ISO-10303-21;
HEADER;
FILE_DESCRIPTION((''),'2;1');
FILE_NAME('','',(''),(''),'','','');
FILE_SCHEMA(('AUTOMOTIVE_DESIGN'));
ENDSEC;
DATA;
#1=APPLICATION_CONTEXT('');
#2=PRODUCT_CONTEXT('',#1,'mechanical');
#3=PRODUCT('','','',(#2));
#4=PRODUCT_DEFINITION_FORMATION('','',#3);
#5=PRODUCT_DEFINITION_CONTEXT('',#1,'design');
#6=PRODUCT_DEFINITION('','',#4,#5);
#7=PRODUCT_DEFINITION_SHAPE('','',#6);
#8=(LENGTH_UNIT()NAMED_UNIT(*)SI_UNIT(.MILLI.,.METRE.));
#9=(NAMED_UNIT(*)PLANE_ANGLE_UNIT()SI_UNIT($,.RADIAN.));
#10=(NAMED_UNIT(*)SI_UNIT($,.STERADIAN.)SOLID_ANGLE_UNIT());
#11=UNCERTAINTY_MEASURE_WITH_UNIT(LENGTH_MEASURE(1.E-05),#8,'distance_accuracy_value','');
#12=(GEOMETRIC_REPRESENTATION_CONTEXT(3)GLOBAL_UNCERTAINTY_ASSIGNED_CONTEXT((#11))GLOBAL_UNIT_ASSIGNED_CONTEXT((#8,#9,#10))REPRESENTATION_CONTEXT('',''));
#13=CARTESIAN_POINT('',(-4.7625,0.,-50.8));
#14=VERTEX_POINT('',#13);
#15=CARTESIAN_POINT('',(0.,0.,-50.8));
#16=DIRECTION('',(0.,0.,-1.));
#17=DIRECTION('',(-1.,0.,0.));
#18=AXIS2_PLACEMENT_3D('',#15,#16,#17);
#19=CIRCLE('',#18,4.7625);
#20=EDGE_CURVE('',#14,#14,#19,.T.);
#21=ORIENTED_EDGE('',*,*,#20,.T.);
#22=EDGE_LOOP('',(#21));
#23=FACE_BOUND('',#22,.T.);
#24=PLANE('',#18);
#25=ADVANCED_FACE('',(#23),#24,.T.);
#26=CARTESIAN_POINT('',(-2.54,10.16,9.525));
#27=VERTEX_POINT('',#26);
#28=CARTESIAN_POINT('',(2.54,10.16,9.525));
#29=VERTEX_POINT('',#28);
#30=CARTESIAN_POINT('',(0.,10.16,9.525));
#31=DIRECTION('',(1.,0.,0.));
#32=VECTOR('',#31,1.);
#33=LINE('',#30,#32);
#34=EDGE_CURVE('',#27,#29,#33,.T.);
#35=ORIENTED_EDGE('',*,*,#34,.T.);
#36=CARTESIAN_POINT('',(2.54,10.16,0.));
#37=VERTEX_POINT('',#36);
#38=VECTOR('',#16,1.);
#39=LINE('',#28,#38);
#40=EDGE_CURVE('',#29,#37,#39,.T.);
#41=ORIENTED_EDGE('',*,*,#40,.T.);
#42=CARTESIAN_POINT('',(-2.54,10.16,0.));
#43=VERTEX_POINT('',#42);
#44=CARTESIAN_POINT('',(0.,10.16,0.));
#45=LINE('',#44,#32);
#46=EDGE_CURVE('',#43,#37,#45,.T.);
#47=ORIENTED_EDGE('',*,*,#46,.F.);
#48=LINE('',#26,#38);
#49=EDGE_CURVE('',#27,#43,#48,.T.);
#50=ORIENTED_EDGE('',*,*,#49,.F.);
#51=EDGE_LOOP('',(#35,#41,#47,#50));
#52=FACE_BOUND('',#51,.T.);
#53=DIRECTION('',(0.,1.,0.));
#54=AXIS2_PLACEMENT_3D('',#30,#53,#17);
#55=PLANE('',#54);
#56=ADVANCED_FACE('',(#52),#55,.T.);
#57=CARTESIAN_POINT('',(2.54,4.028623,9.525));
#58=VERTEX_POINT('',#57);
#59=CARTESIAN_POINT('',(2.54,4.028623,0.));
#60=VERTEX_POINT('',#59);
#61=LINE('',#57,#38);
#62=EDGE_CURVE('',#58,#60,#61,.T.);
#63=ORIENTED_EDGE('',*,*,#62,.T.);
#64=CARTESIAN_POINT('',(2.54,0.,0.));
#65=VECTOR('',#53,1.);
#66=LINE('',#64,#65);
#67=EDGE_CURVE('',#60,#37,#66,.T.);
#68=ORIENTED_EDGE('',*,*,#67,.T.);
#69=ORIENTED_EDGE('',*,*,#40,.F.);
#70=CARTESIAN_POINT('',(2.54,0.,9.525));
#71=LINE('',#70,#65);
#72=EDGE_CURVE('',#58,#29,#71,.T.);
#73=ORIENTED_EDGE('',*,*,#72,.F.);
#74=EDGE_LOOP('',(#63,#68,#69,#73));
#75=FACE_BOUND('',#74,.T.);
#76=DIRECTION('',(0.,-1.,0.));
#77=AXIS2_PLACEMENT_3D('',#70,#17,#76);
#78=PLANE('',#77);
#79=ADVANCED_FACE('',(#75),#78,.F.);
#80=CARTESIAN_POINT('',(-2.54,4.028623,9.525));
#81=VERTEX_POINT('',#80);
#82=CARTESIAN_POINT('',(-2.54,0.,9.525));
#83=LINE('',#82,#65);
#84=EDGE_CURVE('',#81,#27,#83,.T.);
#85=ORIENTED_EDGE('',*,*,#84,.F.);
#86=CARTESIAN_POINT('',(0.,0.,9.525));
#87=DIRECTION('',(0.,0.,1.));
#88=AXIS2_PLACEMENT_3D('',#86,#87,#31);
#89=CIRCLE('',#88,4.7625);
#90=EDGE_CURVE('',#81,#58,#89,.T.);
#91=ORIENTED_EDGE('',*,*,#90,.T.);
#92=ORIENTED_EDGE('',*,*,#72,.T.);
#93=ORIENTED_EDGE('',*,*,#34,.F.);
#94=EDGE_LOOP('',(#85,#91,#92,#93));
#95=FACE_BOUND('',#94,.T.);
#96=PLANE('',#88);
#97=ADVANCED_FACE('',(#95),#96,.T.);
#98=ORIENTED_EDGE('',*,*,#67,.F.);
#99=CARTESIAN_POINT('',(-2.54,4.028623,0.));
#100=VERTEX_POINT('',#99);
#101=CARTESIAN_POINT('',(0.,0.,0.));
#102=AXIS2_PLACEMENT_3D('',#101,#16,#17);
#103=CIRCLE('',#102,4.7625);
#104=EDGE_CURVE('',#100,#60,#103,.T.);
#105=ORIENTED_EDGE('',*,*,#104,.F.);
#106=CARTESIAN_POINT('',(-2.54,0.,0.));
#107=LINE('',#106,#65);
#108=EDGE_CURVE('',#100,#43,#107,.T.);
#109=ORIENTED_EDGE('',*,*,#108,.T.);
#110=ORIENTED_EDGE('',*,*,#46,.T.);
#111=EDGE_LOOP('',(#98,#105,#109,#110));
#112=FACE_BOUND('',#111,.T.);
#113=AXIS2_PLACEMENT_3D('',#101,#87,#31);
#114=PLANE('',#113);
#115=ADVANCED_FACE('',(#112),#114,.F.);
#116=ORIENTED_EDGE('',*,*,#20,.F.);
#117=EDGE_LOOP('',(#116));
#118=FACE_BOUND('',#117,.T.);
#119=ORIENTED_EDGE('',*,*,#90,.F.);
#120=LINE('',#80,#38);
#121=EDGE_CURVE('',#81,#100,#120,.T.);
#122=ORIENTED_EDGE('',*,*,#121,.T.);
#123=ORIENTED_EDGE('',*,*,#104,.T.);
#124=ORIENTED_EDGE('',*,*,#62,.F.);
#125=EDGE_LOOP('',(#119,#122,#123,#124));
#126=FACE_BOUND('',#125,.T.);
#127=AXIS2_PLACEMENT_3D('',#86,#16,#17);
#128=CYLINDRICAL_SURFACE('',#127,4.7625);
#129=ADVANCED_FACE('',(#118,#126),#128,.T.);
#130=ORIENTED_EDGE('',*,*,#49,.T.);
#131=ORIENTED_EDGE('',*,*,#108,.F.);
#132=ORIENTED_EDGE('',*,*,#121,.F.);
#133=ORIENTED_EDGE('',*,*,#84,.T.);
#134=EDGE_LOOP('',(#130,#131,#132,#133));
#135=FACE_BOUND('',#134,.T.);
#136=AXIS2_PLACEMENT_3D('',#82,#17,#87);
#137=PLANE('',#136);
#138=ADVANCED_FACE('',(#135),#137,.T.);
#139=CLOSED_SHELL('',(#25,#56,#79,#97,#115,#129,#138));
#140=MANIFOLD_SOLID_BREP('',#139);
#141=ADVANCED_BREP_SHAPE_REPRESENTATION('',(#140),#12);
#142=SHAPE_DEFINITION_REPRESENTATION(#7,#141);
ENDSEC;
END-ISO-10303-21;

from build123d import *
from build123d.topology import SkipClean

# Parameters (mm, degrees)
BOSS_EXTRUDE1_DEPTH = 9.525
BOSS_EXTRUDE2_START = 50.8
SKETCH2_R           = 4.7625
BOSS_EXTRUDE2_DEPTH = 50.8


with BuildPart() as part:
    # Sketch1 → Boss-Extrude1 (new body)
    with BuildSketch(Plane.XY):
        with BuildLine():
            Line((-2.54, 4.028623369), (-2.54, 0))
            Line((-2.54, 0), (2.54, 0))
            Line((2.54, 0), (2.54, 4.028623369))
            ThreePointArc((2.54, 4.028623369), (0, 4.7625), (-2.54, 4.028623369))
        make_face()
        with BuildLine():
            Line((2.54, 0), (-2.54, 0))
            Line((-2.54, 0), (-2.54, 4.028623369))
            ThreePointArc((-2.54, 4.028623369), (-2.300506058, -4.170021358), (4.7625, 0))
            ThreePointArc((4.7625, 0), (4.170021358, 2.300506058), (2.54, 4.028623369))
            Line((2.54, 4.028623369), (2.54, 0))
        make_face()
        with BuildLine():
            Line((-2.54, 10.16), (-2.54, 4.028623369))
            ThreePointArc((-2.54, 4.028623369), (0, 4.7625), (2.54, 4.028623369))
            Line((2.54, 4.028623369), (2.54, 10.16))
            Line((2.54, 10.16), (-2.54, 10.16))
        make_face()
    extrude(amount=BOSS_EXTRUDE1_DEPTH)

    # Sketch2 → Boss-Extrude2 (add)
    with SkipClean():  # the faces are left unmerged after this step: merging them gives an invalid solid
        with BuildSketch(Plane(origin=(0, 0, 0), x_dir=(-1, 0, 0), z_dir=(0, 0, -1)).offset(BOSS_EXTRUDE2_START)):
            Circle(SKETCH2_R)
        extrude(amount=-BOSS_EXTRUDE2_DEPTH)


solid = part.part
